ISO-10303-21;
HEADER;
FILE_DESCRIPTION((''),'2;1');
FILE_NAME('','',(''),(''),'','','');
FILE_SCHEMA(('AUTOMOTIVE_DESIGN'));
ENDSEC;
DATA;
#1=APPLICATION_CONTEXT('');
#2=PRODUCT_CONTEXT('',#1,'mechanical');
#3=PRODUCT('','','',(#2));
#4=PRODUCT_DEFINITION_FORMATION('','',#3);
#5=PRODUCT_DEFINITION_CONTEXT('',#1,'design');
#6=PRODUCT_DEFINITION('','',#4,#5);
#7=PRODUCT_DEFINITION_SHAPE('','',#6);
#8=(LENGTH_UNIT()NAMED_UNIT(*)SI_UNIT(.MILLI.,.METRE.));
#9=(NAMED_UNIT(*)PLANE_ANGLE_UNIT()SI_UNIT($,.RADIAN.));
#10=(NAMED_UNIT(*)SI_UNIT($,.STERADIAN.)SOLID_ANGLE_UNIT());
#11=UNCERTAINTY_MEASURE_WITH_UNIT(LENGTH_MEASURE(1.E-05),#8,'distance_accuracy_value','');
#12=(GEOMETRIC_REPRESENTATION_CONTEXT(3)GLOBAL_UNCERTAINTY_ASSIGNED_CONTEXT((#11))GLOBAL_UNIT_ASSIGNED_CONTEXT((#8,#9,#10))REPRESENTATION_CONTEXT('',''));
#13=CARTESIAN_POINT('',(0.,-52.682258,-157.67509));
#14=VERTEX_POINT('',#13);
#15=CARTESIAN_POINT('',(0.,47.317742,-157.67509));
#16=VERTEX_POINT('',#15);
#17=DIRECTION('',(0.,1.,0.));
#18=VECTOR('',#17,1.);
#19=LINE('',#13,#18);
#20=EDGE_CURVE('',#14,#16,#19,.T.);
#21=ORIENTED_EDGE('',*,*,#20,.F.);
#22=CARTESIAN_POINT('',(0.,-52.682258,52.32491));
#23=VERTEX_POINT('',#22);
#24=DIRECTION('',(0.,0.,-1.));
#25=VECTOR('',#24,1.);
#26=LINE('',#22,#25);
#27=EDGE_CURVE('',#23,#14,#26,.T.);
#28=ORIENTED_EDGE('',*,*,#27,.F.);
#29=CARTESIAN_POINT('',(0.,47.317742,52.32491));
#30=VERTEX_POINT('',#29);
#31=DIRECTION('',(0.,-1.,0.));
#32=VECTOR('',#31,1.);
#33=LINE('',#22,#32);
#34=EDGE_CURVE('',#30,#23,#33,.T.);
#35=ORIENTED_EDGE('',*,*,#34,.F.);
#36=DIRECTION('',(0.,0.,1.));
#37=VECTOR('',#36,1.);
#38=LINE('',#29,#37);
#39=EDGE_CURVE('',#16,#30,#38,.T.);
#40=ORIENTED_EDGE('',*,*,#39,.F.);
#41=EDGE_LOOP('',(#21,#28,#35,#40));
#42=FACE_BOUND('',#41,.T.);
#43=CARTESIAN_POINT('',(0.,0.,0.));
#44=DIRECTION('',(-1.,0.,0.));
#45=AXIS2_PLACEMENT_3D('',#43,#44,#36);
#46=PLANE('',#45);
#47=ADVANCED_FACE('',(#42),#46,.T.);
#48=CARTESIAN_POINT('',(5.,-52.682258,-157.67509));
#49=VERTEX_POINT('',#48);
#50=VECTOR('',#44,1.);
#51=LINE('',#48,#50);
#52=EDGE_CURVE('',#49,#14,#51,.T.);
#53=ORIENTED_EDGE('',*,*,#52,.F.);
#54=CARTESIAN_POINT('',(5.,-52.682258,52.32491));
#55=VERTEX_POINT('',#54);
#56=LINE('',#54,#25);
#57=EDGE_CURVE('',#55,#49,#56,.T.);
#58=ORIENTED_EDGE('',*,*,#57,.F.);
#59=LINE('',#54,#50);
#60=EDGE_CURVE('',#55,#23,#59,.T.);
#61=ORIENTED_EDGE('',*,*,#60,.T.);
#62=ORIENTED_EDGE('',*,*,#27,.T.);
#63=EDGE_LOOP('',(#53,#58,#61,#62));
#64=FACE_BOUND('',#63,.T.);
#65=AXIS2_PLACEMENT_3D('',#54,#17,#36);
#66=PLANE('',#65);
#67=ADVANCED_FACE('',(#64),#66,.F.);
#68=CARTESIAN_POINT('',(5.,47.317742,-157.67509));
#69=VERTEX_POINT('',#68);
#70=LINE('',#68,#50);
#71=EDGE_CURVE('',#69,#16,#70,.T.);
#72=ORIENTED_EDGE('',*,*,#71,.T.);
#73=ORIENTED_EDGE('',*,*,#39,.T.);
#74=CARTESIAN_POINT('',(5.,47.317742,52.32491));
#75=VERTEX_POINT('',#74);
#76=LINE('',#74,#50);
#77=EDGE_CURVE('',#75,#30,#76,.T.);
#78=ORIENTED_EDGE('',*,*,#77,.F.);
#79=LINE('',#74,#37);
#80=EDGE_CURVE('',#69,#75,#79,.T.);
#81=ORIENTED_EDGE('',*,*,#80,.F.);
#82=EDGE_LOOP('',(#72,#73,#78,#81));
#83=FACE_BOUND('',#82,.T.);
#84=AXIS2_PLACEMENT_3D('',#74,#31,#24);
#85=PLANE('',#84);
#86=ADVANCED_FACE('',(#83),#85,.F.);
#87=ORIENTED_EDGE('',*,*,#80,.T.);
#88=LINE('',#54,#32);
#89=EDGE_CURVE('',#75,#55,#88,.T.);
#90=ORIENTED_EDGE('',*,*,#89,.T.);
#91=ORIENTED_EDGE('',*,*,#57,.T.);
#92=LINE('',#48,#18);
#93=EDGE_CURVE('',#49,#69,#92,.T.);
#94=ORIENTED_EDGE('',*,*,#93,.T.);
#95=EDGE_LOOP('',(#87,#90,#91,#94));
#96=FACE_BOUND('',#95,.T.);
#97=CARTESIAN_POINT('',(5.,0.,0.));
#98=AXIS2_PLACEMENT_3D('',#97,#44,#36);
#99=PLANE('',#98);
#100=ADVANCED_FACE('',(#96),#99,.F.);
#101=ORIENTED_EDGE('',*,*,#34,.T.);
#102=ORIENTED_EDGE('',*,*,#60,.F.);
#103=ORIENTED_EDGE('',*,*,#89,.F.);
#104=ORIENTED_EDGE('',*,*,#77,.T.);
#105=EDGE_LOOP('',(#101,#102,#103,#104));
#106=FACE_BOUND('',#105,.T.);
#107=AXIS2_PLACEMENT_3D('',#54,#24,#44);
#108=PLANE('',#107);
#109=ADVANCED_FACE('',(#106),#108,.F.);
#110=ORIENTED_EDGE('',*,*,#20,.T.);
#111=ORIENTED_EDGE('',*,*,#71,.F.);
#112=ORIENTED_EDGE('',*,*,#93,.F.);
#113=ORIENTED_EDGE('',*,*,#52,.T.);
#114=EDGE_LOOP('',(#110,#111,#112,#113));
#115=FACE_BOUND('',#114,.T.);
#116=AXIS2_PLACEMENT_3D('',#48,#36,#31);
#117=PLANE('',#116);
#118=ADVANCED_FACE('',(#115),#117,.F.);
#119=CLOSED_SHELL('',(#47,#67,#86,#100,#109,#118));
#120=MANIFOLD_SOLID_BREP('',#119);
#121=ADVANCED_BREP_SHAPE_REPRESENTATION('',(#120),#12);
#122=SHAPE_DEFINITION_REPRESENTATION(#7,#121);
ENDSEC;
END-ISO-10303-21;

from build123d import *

# Parameters (mm, degrees)
ESQUISSE1_W        = 210
ESQUISSE1_H        = 100
BOSS_EXTRU_1_DEPTH = 5


with BuildPart() as part:
    # Esquisse1 → Boss.-Extru.1 (new body)
    with BuildSketch(Plane(origin=(0, 0, 0), x_dir=(0, 0, -1), z_dir=(1, 0, 0))):
        with Locations((52.675089606, -2.682258065)):
            Rectangle(ESQUISSE1_W, ESQUISSE1_H)
    extrude(amount=BOSS_EXTRU_1_DEPTH)


solid = part.part
